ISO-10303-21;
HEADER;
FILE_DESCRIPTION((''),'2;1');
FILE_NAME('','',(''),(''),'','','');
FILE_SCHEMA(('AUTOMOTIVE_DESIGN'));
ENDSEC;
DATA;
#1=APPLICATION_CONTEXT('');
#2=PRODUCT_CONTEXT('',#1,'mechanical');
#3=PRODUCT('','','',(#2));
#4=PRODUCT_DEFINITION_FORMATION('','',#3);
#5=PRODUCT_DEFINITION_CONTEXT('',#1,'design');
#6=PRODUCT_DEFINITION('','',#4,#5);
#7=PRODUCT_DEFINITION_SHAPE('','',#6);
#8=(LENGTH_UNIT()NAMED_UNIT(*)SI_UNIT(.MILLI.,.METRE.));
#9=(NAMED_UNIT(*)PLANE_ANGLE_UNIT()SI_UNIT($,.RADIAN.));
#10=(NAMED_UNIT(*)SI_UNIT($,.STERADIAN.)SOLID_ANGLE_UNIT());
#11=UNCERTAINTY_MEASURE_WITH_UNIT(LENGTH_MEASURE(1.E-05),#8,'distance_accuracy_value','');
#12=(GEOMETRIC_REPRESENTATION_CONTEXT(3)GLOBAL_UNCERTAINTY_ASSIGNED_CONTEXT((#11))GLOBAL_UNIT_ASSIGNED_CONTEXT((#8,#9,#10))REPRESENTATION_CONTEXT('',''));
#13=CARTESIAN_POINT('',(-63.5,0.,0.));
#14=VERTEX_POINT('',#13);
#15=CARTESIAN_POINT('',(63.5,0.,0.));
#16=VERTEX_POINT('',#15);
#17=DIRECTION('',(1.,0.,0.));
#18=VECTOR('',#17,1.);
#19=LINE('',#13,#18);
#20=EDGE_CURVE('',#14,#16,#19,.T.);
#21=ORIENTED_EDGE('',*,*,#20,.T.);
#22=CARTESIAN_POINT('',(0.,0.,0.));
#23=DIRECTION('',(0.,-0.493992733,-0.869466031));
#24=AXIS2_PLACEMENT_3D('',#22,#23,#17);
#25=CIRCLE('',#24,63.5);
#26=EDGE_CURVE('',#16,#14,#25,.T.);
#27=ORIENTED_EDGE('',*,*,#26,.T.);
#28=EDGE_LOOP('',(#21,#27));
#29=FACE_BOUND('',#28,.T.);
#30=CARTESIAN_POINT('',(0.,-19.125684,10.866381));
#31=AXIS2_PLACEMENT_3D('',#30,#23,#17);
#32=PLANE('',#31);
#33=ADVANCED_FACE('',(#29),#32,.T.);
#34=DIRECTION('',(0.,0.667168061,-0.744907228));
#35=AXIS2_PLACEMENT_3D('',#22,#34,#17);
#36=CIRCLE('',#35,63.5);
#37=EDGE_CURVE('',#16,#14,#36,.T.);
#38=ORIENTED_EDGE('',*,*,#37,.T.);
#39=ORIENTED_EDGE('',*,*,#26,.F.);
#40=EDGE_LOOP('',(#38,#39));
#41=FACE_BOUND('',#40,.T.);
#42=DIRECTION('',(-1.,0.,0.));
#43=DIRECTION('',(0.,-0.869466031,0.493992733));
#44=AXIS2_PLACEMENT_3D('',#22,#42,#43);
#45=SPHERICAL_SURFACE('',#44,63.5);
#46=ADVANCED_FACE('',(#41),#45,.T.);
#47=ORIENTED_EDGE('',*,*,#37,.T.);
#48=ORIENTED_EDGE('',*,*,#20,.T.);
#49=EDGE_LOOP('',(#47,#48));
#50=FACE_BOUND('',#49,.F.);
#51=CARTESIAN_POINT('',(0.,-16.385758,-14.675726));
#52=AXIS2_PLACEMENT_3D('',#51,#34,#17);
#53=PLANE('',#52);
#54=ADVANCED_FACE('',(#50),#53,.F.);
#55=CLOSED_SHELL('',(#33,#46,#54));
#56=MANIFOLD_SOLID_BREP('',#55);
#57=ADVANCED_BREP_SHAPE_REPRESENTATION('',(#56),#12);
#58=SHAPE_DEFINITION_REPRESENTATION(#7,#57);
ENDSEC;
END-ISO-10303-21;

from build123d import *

# Parameters (mm, degrees)
F1_ANGLE_BACK = 60.3966480576
F1_ANGLE      = 288.5477791679


with BuildPart() as f1:
    # F0 (on Front) → F1 (revolve)
    with BuildSketch(Plane.XZ, mode=Mode.PRIVATE) as f1_sk:
        with BuildLine():
            ThreePointArc((63.5, 0), (0, 63.5), (-63.5, 0))
            Line((-63.5, 0), (63.5, 0))
        make_face()
    revolve(f1_sk.sketch.rotate(Axis((0, 0, 0), (-1, 0, 0)), -F1_ANGLE_BACK), axis=Axis((0, 0, 0), (-1, 0, 0)), revolution_arc=F1_ANGLE)


solid = f1.part
